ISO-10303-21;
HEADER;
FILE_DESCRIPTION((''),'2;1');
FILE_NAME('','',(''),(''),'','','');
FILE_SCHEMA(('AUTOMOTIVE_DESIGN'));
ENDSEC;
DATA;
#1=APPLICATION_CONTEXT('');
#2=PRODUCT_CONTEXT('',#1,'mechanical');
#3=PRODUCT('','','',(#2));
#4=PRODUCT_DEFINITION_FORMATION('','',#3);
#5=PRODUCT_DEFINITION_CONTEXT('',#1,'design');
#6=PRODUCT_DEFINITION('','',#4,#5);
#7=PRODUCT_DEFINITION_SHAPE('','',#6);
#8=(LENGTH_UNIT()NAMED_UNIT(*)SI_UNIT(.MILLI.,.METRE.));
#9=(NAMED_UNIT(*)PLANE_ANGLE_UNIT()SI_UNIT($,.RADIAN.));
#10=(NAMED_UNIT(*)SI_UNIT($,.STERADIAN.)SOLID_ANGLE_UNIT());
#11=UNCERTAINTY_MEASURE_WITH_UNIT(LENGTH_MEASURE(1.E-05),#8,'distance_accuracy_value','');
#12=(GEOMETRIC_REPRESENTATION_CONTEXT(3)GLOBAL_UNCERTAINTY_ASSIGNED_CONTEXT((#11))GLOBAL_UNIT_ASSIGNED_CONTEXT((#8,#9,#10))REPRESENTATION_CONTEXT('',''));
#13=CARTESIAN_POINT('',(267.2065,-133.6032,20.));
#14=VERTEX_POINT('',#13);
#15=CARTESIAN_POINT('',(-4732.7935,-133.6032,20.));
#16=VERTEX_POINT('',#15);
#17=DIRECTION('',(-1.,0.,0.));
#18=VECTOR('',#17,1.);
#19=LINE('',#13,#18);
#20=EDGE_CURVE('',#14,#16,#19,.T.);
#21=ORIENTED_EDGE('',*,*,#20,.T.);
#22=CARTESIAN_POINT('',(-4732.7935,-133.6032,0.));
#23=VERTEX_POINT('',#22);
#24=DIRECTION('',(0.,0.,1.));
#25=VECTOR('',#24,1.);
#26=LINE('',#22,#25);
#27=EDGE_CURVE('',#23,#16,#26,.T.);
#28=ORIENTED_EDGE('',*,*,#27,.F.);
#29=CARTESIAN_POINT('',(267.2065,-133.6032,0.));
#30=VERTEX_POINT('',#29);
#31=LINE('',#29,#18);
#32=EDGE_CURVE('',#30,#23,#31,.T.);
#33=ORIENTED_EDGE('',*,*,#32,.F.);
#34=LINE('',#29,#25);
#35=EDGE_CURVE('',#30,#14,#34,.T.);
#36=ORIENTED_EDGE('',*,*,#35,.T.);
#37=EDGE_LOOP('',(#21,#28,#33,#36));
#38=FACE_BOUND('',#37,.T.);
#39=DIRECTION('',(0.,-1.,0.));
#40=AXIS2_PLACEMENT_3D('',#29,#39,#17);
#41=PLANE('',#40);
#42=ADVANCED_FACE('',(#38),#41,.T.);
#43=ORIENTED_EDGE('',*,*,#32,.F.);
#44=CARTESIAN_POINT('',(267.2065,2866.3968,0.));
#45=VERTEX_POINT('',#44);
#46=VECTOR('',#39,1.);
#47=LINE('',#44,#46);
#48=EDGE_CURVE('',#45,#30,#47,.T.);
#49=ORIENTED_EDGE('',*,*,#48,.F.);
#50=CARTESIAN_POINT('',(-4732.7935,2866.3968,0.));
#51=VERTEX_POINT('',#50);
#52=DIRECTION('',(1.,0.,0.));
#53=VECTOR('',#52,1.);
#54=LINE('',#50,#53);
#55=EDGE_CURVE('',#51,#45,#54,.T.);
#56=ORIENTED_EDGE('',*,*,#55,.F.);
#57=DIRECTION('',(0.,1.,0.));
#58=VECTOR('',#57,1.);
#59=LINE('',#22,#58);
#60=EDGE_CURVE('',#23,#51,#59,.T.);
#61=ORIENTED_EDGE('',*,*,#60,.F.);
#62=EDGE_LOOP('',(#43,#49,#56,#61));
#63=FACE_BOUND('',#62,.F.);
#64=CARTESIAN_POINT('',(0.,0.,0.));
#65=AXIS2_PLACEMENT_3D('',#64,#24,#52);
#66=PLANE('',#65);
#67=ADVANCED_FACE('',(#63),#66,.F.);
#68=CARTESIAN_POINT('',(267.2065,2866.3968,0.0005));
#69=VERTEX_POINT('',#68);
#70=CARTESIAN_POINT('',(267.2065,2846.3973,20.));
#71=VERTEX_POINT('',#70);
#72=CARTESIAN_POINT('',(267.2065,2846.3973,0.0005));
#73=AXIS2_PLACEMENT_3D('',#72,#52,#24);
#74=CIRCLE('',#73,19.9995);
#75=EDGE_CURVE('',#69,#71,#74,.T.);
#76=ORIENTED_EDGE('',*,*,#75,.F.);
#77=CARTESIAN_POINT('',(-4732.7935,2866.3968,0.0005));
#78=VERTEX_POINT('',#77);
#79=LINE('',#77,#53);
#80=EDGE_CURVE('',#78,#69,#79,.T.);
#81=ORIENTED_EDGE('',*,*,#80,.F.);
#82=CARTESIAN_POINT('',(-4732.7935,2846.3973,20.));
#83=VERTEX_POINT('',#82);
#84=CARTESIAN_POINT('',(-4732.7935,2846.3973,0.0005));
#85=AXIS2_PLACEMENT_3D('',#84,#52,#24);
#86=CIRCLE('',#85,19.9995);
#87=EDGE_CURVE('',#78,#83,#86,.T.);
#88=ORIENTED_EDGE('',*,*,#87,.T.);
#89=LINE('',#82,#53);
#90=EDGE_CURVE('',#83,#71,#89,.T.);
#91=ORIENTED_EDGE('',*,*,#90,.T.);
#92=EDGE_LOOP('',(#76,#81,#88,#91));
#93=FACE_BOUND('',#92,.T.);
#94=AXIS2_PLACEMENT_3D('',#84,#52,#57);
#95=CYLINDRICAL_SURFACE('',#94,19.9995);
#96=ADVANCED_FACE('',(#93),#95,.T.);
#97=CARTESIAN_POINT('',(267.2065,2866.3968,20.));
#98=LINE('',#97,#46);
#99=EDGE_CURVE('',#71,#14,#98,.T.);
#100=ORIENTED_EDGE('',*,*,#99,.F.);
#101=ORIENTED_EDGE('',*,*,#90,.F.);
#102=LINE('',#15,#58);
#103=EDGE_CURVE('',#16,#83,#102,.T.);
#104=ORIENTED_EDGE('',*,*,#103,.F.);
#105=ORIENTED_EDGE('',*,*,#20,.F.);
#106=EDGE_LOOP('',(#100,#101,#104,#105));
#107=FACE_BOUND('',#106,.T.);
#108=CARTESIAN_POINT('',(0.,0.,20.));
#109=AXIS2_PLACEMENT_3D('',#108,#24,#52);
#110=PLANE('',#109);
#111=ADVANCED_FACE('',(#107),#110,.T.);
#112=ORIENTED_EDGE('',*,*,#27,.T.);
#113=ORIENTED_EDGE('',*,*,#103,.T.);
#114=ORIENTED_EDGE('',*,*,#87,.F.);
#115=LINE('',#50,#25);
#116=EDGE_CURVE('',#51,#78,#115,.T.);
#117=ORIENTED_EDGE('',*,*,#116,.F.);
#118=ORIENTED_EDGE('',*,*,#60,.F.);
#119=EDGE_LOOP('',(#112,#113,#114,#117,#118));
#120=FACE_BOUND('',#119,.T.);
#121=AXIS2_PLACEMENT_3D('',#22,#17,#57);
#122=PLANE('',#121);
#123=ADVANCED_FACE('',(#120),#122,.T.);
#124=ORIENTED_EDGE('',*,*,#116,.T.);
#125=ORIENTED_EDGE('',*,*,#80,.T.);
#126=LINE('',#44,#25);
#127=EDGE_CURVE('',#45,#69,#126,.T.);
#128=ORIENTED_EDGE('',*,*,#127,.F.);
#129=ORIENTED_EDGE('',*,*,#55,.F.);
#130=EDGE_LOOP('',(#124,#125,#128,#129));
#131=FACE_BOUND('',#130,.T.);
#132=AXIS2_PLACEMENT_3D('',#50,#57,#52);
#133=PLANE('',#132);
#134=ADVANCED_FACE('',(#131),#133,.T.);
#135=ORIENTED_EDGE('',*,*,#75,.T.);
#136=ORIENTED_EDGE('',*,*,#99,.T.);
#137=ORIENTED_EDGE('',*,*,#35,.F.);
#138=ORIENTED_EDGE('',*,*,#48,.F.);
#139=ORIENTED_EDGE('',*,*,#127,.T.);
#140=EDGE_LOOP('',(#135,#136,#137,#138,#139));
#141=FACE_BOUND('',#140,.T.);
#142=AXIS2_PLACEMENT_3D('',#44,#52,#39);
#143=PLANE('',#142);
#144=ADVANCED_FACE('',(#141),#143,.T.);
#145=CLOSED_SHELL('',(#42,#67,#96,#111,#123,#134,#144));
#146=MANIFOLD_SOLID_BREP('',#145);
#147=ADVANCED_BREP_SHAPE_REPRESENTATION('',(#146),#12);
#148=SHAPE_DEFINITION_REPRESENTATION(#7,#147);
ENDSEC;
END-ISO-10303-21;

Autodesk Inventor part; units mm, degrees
ref_plane "YZ Plane" through (0, 0, 0) normal (1, 0, 0) x (0, 1, 0)
ref_plane "XZ Plane" through (0, 0, 0) normal (0, 1, 0) x (-1, 0, 0)
ref_plane "XY Plane" through (0, 0, 0) normal (0, 0, 1) x (1, 0, 0)
sketch "Sketch1" plane through (0, 0, 0) normal (0, 0, 1) x (1, 0, 0)
  line L0 (-4732.7935, 2866.3968) -> (267.2065, 2866.3968)
  line L1 (267.2065, 2866.3968) -> (267.2065, -133.6032)
  line L2 (267.2065, -133.6032) -> (-4732.7935, -133.6032)
  line L3 (-4732.7935, -133.6032) -> (-4732.7935, 2866.3968)
  point P0 (0, 0)
  dimension "d0" = 5000
  dimension "d1" = 3000
extrude "Extrusion1" add sketch "Sketch1" along normal blind 20
fillet "Fillet1" radius 20 1 edges at (-2232.7935, 2866.3968, 20)
properties part number "McCrea_plocha_walle" material "Rubber"
